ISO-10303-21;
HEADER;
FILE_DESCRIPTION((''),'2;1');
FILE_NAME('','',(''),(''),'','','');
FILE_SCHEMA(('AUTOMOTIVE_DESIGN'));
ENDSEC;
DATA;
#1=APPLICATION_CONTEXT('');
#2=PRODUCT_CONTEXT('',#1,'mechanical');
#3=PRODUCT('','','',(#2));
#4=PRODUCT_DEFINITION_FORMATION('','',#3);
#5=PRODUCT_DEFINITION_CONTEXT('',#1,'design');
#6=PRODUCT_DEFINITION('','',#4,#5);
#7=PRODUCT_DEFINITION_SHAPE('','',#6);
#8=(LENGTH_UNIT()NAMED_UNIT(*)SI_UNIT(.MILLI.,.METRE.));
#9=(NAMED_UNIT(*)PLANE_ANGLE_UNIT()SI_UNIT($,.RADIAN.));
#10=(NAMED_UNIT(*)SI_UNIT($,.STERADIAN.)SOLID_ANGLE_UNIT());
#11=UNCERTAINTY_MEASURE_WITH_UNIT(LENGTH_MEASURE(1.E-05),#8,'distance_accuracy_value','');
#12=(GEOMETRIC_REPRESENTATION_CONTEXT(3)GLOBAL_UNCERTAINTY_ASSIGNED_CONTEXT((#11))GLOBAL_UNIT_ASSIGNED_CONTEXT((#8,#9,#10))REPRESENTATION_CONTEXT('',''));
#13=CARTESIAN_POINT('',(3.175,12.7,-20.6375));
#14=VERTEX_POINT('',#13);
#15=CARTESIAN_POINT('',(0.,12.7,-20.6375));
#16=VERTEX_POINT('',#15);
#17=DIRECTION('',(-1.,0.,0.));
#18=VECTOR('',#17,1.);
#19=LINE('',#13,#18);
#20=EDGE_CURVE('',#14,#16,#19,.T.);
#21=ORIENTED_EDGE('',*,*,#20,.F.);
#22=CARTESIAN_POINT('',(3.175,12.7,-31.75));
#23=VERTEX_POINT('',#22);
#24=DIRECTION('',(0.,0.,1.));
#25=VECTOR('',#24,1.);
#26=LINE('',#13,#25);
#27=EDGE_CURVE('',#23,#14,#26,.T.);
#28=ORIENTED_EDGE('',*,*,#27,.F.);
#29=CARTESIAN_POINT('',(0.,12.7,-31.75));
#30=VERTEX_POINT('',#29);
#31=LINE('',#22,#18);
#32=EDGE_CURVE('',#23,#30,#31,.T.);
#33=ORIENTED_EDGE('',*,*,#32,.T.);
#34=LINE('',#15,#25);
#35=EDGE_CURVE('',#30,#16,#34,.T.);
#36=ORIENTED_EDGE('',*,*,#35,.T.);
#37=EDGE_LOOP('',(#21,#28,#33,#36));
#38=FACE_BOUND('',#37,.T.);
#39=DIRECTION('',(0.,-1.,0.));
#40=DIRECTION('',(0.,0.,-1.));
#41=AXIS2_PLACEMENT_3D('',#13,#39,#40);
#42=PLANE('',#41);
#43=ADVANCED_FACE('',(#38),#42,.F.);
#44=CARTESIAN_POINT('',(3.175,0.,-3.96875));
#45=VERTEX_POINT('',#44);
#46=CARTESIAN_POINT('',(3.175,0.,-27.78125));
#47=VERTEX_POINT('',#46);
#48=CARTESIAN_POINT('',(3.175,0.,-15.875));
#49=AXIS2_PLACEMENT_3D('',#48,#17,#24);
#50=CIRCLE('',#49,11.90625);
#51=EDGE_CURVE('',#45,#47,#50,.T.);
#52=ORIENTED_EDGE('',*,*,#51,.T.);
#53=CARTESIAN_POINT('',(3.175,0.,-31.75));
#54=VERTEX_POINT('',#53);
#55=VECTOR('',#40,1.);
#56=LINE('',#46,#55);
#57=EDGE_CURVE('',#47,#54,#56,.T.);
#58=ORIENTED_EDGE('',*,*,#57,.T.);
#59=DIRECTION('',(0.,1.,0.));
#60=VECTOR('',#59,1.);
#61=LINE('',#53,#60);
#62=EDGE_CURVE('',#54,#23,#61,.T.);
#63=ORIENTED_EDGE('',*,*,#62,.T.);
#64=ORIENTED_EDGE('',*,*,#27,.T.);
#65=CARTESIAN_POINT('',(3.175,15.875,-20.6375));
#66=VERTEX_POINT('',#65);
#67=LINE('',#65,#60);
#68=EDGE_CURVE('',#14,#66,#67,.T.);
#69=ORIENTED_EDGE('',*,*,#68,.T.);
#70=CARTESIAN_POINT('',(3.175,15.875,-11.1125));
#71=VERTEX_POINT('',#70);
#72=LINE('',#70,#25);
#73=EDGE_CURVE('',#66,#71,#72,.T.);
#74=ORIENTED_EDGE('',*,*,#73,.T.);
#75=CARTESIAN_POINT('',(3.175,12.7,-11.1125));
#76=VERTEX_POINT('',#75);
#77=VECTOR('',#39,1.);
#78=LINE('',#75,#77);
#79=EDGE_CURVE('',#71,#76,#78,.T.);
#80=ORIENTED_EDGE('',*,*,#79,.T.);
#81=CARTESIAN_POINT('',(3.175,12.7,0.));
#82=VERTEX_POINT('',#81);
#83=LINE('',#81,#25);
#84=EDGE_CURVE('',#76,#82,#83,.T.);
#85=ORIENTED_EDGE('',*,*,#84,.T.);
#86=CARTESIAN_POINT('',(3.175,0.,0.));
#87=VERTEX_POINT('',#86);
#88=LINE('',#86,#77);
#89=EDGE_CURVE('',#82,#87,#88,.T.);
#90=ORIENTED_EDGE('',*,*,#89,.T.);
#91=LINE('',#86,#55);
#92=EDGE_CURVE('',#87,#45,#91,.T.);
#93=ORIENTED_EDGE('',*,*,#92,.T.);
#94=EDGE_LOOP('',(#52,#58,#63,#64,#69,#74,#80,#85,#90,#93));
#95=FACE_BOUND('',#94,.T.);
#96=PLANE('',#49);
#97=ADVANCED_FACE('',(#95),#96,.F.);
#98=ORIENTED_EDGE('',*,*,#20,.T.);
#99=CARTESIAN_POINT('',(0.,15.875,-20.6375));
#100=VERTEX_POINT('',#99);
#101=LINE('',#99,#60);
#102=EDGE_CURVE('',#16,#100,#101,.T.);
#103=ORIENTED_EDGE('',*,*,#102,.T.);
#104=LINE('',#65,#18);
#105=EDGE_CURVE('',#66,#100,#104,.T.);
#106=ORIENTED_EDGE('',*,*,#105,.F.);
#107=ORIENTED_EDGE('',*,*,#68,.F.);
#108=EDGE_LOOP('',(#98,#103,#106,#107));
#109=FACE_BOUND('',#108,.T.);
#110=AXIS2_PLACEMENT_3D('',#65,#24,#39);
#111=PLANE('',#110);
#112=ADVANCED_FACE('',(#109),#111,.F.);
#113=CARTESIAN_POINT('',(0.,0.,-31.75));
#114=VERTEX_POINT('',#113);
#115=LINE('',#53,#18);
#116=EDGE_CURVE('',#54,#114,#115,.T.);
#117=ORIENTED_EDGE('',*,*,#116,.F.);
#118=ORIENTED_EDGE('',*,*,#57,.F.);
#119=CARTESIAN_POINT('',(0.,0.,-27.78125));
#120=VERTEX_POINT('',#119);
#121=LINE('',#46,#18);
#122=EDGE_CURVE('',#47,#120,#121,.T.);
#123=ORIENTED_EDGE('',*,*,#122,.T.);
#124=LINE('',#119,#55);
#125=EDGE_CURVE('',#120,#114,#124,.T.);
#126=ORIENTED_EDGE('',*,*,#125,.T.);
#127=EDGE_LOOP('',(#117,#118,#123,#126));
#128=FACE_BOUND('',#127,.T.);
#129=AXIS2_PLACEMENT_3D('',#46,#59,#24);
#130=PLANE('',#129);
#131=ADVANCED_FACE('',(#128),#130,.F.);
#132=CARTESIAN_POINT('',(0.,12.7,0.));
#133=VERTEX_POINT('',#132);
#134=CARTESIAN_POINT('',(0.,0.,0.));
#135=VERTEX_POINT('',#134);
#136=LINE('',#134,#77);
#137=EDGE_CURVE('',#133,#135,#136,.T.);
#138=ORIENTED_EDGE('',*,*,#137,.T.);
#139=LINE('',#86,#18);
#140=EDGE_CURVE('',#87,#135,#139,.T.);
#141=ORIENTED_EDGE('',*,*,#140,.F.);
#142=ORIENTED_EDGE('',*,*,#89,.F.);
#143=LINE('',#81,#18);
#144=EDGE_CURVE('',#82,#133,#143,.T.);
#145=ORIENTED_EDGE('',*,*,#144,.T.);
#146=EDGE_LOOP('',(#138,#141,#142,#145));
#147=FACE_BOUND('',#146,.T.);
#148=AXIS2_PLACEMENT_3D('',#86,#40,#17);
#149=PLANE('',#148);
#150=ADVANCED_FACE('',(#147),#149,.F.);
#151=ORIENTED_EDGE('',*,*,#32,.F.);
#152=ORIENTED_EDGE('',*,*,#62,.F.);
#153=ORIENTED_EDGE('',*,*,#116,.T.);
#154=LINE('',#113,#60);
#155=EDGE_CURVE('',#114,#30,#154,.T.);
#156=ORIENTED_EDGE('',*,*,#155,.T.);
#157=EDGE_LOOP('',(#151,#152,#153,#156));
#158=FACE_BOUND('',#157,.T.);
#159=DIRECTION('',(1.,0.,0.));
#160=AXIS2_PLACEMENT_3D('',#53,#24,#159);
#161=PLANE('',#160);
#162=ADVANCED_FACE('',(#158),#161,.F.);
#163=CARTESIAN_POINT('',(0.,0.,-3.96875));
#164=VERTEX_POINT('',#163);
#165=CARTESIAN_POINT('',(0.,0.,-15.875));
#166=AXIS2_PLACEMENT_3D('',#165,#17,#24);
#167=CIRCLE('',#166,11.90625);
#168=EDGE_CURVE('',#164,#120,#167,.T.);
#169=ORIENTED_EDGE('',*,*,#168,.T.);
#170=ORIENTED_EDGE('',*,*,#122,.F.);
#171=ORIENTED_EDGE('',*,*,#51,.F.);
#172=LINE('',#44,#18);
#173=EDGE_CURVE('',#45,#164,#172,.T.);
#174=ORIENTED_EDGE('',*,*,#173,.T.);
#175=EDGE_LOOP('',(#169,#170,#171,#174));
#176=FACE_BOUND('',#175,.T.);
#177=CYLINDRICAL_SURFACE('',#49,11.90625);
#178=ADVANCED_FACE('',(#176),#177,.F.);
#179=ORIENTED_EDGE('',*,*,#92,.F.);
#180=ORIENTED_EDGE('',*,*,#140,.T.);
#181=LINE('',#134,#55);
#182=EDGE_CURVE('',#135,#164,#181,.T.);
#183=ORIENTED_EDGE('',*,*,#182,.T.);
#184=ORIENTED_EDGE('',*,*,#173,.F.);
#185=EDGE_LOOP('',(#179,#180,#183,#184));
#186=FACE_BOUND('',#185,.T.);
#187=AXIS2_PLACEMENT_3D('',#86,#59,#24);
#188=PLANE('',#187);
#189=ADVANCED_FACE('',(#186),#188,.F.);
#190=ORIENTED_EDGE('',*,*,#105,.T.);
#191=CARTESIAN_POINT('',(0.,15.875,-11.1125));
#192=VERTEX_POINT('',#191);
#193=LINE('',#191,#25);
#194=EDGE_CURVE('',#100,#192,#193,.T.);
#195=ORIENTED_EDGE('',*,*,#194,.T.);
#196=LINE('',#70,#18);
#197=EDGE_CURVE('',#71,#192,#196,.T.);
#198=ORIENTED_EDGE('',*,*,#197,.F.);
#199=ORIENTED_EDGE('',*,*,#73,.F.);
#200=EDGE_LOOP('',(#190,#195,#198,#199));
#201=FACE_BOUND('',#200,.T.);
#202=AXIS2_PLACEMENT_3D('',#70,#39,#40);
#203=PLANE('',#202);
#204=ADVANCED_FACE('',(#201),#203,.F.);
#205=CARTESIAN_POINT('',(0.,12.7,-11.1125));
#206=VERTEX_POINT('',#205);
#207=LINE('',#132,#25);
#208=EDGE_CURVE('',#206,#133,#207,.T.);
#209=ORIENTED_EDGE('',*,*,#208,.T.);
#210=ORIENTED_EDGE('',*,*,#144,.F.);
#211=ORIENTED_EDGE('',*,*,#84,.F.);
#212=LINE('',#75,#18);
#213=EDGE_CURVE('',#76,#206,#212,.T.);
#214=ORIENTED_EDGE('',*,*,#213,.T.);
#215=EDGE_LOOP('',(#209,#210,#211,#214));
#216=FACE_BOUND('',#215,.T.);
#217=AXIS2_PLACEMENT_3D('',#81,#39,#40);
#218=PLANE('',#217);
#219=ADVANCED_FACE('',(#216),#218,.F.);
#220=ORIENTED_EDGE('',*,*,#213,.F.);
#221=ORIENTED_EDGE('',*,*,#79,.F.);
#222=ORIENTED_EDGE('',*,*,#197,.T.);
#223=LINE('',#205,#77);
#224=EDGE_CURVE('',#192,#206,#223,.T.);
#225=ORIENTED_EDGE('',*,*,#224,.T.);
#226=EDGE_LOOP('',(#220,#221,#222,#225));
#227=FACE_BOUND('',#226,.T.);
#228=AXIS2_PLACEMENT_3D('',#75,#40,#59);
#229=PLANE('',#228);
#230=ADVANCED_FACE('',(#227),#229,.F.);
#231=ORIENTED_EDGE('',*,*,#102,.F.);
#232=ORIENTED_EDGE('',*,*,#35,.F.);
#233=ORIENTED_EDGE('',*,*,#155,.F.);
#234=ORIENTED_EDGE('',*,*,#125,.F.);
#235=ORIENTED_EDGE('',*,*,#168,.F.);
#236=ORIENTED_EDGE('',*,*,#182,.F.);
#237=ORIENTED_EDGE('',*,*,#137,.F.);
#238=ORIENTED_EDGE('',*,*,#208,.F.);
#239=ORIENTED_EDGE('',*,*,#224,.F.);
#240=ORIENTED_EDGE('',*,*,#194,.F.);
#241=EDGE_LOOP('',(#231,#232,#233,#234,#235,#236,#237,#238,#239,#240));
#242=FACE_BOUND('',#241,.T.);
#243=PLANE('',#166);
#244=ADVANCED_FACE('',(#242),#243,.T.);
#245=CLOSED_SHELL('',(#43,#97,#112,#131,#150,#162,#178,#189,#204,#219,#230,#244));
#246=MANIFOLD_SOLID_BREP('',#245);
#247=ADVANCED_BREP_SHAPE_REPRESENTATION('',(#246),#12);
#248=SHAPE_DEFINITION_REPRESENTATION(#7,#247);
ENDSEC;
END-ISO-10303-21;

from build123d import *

# Parameters (mm, degrees)
BOSS_EXTRUDE1_DEPTH = 3.175


with BuildPart() as part:
    # Sketch1 → Boss-Extrude1 (new body)
    with BuildSketch(Plane(origin=(0, 0, 0), x_dir=(0, 0, -1), z_dir=(1, 0, 0))):
        with BuildLine():
            Line((11.1125, 12.7), (11.1125, 15.875))
            Line((11.1125, 15.875), (20.6375, 15.875))
            Line((20.6375, 15.875), (20.6375, 12.7))
            Line((20.6375, 12.7), (31.75, 12.7))
            Line((31.75, 12.7), (31.75, 0))
            Line((31.75, 0), (27.78125, 0))
            ThreePointArc((27.78125, 0), (15.875, 11.90625), (3.96875, 0))
            Line((3.96875, 0), (0, 0))
            Line((0, 0), (0, 12.7))
            Line((0, 12.7), (11.1125, 12.7))
        make_face()
    extrude(amount=BOSS_EXTRUDE1_DEPTH)


solid = part.part
